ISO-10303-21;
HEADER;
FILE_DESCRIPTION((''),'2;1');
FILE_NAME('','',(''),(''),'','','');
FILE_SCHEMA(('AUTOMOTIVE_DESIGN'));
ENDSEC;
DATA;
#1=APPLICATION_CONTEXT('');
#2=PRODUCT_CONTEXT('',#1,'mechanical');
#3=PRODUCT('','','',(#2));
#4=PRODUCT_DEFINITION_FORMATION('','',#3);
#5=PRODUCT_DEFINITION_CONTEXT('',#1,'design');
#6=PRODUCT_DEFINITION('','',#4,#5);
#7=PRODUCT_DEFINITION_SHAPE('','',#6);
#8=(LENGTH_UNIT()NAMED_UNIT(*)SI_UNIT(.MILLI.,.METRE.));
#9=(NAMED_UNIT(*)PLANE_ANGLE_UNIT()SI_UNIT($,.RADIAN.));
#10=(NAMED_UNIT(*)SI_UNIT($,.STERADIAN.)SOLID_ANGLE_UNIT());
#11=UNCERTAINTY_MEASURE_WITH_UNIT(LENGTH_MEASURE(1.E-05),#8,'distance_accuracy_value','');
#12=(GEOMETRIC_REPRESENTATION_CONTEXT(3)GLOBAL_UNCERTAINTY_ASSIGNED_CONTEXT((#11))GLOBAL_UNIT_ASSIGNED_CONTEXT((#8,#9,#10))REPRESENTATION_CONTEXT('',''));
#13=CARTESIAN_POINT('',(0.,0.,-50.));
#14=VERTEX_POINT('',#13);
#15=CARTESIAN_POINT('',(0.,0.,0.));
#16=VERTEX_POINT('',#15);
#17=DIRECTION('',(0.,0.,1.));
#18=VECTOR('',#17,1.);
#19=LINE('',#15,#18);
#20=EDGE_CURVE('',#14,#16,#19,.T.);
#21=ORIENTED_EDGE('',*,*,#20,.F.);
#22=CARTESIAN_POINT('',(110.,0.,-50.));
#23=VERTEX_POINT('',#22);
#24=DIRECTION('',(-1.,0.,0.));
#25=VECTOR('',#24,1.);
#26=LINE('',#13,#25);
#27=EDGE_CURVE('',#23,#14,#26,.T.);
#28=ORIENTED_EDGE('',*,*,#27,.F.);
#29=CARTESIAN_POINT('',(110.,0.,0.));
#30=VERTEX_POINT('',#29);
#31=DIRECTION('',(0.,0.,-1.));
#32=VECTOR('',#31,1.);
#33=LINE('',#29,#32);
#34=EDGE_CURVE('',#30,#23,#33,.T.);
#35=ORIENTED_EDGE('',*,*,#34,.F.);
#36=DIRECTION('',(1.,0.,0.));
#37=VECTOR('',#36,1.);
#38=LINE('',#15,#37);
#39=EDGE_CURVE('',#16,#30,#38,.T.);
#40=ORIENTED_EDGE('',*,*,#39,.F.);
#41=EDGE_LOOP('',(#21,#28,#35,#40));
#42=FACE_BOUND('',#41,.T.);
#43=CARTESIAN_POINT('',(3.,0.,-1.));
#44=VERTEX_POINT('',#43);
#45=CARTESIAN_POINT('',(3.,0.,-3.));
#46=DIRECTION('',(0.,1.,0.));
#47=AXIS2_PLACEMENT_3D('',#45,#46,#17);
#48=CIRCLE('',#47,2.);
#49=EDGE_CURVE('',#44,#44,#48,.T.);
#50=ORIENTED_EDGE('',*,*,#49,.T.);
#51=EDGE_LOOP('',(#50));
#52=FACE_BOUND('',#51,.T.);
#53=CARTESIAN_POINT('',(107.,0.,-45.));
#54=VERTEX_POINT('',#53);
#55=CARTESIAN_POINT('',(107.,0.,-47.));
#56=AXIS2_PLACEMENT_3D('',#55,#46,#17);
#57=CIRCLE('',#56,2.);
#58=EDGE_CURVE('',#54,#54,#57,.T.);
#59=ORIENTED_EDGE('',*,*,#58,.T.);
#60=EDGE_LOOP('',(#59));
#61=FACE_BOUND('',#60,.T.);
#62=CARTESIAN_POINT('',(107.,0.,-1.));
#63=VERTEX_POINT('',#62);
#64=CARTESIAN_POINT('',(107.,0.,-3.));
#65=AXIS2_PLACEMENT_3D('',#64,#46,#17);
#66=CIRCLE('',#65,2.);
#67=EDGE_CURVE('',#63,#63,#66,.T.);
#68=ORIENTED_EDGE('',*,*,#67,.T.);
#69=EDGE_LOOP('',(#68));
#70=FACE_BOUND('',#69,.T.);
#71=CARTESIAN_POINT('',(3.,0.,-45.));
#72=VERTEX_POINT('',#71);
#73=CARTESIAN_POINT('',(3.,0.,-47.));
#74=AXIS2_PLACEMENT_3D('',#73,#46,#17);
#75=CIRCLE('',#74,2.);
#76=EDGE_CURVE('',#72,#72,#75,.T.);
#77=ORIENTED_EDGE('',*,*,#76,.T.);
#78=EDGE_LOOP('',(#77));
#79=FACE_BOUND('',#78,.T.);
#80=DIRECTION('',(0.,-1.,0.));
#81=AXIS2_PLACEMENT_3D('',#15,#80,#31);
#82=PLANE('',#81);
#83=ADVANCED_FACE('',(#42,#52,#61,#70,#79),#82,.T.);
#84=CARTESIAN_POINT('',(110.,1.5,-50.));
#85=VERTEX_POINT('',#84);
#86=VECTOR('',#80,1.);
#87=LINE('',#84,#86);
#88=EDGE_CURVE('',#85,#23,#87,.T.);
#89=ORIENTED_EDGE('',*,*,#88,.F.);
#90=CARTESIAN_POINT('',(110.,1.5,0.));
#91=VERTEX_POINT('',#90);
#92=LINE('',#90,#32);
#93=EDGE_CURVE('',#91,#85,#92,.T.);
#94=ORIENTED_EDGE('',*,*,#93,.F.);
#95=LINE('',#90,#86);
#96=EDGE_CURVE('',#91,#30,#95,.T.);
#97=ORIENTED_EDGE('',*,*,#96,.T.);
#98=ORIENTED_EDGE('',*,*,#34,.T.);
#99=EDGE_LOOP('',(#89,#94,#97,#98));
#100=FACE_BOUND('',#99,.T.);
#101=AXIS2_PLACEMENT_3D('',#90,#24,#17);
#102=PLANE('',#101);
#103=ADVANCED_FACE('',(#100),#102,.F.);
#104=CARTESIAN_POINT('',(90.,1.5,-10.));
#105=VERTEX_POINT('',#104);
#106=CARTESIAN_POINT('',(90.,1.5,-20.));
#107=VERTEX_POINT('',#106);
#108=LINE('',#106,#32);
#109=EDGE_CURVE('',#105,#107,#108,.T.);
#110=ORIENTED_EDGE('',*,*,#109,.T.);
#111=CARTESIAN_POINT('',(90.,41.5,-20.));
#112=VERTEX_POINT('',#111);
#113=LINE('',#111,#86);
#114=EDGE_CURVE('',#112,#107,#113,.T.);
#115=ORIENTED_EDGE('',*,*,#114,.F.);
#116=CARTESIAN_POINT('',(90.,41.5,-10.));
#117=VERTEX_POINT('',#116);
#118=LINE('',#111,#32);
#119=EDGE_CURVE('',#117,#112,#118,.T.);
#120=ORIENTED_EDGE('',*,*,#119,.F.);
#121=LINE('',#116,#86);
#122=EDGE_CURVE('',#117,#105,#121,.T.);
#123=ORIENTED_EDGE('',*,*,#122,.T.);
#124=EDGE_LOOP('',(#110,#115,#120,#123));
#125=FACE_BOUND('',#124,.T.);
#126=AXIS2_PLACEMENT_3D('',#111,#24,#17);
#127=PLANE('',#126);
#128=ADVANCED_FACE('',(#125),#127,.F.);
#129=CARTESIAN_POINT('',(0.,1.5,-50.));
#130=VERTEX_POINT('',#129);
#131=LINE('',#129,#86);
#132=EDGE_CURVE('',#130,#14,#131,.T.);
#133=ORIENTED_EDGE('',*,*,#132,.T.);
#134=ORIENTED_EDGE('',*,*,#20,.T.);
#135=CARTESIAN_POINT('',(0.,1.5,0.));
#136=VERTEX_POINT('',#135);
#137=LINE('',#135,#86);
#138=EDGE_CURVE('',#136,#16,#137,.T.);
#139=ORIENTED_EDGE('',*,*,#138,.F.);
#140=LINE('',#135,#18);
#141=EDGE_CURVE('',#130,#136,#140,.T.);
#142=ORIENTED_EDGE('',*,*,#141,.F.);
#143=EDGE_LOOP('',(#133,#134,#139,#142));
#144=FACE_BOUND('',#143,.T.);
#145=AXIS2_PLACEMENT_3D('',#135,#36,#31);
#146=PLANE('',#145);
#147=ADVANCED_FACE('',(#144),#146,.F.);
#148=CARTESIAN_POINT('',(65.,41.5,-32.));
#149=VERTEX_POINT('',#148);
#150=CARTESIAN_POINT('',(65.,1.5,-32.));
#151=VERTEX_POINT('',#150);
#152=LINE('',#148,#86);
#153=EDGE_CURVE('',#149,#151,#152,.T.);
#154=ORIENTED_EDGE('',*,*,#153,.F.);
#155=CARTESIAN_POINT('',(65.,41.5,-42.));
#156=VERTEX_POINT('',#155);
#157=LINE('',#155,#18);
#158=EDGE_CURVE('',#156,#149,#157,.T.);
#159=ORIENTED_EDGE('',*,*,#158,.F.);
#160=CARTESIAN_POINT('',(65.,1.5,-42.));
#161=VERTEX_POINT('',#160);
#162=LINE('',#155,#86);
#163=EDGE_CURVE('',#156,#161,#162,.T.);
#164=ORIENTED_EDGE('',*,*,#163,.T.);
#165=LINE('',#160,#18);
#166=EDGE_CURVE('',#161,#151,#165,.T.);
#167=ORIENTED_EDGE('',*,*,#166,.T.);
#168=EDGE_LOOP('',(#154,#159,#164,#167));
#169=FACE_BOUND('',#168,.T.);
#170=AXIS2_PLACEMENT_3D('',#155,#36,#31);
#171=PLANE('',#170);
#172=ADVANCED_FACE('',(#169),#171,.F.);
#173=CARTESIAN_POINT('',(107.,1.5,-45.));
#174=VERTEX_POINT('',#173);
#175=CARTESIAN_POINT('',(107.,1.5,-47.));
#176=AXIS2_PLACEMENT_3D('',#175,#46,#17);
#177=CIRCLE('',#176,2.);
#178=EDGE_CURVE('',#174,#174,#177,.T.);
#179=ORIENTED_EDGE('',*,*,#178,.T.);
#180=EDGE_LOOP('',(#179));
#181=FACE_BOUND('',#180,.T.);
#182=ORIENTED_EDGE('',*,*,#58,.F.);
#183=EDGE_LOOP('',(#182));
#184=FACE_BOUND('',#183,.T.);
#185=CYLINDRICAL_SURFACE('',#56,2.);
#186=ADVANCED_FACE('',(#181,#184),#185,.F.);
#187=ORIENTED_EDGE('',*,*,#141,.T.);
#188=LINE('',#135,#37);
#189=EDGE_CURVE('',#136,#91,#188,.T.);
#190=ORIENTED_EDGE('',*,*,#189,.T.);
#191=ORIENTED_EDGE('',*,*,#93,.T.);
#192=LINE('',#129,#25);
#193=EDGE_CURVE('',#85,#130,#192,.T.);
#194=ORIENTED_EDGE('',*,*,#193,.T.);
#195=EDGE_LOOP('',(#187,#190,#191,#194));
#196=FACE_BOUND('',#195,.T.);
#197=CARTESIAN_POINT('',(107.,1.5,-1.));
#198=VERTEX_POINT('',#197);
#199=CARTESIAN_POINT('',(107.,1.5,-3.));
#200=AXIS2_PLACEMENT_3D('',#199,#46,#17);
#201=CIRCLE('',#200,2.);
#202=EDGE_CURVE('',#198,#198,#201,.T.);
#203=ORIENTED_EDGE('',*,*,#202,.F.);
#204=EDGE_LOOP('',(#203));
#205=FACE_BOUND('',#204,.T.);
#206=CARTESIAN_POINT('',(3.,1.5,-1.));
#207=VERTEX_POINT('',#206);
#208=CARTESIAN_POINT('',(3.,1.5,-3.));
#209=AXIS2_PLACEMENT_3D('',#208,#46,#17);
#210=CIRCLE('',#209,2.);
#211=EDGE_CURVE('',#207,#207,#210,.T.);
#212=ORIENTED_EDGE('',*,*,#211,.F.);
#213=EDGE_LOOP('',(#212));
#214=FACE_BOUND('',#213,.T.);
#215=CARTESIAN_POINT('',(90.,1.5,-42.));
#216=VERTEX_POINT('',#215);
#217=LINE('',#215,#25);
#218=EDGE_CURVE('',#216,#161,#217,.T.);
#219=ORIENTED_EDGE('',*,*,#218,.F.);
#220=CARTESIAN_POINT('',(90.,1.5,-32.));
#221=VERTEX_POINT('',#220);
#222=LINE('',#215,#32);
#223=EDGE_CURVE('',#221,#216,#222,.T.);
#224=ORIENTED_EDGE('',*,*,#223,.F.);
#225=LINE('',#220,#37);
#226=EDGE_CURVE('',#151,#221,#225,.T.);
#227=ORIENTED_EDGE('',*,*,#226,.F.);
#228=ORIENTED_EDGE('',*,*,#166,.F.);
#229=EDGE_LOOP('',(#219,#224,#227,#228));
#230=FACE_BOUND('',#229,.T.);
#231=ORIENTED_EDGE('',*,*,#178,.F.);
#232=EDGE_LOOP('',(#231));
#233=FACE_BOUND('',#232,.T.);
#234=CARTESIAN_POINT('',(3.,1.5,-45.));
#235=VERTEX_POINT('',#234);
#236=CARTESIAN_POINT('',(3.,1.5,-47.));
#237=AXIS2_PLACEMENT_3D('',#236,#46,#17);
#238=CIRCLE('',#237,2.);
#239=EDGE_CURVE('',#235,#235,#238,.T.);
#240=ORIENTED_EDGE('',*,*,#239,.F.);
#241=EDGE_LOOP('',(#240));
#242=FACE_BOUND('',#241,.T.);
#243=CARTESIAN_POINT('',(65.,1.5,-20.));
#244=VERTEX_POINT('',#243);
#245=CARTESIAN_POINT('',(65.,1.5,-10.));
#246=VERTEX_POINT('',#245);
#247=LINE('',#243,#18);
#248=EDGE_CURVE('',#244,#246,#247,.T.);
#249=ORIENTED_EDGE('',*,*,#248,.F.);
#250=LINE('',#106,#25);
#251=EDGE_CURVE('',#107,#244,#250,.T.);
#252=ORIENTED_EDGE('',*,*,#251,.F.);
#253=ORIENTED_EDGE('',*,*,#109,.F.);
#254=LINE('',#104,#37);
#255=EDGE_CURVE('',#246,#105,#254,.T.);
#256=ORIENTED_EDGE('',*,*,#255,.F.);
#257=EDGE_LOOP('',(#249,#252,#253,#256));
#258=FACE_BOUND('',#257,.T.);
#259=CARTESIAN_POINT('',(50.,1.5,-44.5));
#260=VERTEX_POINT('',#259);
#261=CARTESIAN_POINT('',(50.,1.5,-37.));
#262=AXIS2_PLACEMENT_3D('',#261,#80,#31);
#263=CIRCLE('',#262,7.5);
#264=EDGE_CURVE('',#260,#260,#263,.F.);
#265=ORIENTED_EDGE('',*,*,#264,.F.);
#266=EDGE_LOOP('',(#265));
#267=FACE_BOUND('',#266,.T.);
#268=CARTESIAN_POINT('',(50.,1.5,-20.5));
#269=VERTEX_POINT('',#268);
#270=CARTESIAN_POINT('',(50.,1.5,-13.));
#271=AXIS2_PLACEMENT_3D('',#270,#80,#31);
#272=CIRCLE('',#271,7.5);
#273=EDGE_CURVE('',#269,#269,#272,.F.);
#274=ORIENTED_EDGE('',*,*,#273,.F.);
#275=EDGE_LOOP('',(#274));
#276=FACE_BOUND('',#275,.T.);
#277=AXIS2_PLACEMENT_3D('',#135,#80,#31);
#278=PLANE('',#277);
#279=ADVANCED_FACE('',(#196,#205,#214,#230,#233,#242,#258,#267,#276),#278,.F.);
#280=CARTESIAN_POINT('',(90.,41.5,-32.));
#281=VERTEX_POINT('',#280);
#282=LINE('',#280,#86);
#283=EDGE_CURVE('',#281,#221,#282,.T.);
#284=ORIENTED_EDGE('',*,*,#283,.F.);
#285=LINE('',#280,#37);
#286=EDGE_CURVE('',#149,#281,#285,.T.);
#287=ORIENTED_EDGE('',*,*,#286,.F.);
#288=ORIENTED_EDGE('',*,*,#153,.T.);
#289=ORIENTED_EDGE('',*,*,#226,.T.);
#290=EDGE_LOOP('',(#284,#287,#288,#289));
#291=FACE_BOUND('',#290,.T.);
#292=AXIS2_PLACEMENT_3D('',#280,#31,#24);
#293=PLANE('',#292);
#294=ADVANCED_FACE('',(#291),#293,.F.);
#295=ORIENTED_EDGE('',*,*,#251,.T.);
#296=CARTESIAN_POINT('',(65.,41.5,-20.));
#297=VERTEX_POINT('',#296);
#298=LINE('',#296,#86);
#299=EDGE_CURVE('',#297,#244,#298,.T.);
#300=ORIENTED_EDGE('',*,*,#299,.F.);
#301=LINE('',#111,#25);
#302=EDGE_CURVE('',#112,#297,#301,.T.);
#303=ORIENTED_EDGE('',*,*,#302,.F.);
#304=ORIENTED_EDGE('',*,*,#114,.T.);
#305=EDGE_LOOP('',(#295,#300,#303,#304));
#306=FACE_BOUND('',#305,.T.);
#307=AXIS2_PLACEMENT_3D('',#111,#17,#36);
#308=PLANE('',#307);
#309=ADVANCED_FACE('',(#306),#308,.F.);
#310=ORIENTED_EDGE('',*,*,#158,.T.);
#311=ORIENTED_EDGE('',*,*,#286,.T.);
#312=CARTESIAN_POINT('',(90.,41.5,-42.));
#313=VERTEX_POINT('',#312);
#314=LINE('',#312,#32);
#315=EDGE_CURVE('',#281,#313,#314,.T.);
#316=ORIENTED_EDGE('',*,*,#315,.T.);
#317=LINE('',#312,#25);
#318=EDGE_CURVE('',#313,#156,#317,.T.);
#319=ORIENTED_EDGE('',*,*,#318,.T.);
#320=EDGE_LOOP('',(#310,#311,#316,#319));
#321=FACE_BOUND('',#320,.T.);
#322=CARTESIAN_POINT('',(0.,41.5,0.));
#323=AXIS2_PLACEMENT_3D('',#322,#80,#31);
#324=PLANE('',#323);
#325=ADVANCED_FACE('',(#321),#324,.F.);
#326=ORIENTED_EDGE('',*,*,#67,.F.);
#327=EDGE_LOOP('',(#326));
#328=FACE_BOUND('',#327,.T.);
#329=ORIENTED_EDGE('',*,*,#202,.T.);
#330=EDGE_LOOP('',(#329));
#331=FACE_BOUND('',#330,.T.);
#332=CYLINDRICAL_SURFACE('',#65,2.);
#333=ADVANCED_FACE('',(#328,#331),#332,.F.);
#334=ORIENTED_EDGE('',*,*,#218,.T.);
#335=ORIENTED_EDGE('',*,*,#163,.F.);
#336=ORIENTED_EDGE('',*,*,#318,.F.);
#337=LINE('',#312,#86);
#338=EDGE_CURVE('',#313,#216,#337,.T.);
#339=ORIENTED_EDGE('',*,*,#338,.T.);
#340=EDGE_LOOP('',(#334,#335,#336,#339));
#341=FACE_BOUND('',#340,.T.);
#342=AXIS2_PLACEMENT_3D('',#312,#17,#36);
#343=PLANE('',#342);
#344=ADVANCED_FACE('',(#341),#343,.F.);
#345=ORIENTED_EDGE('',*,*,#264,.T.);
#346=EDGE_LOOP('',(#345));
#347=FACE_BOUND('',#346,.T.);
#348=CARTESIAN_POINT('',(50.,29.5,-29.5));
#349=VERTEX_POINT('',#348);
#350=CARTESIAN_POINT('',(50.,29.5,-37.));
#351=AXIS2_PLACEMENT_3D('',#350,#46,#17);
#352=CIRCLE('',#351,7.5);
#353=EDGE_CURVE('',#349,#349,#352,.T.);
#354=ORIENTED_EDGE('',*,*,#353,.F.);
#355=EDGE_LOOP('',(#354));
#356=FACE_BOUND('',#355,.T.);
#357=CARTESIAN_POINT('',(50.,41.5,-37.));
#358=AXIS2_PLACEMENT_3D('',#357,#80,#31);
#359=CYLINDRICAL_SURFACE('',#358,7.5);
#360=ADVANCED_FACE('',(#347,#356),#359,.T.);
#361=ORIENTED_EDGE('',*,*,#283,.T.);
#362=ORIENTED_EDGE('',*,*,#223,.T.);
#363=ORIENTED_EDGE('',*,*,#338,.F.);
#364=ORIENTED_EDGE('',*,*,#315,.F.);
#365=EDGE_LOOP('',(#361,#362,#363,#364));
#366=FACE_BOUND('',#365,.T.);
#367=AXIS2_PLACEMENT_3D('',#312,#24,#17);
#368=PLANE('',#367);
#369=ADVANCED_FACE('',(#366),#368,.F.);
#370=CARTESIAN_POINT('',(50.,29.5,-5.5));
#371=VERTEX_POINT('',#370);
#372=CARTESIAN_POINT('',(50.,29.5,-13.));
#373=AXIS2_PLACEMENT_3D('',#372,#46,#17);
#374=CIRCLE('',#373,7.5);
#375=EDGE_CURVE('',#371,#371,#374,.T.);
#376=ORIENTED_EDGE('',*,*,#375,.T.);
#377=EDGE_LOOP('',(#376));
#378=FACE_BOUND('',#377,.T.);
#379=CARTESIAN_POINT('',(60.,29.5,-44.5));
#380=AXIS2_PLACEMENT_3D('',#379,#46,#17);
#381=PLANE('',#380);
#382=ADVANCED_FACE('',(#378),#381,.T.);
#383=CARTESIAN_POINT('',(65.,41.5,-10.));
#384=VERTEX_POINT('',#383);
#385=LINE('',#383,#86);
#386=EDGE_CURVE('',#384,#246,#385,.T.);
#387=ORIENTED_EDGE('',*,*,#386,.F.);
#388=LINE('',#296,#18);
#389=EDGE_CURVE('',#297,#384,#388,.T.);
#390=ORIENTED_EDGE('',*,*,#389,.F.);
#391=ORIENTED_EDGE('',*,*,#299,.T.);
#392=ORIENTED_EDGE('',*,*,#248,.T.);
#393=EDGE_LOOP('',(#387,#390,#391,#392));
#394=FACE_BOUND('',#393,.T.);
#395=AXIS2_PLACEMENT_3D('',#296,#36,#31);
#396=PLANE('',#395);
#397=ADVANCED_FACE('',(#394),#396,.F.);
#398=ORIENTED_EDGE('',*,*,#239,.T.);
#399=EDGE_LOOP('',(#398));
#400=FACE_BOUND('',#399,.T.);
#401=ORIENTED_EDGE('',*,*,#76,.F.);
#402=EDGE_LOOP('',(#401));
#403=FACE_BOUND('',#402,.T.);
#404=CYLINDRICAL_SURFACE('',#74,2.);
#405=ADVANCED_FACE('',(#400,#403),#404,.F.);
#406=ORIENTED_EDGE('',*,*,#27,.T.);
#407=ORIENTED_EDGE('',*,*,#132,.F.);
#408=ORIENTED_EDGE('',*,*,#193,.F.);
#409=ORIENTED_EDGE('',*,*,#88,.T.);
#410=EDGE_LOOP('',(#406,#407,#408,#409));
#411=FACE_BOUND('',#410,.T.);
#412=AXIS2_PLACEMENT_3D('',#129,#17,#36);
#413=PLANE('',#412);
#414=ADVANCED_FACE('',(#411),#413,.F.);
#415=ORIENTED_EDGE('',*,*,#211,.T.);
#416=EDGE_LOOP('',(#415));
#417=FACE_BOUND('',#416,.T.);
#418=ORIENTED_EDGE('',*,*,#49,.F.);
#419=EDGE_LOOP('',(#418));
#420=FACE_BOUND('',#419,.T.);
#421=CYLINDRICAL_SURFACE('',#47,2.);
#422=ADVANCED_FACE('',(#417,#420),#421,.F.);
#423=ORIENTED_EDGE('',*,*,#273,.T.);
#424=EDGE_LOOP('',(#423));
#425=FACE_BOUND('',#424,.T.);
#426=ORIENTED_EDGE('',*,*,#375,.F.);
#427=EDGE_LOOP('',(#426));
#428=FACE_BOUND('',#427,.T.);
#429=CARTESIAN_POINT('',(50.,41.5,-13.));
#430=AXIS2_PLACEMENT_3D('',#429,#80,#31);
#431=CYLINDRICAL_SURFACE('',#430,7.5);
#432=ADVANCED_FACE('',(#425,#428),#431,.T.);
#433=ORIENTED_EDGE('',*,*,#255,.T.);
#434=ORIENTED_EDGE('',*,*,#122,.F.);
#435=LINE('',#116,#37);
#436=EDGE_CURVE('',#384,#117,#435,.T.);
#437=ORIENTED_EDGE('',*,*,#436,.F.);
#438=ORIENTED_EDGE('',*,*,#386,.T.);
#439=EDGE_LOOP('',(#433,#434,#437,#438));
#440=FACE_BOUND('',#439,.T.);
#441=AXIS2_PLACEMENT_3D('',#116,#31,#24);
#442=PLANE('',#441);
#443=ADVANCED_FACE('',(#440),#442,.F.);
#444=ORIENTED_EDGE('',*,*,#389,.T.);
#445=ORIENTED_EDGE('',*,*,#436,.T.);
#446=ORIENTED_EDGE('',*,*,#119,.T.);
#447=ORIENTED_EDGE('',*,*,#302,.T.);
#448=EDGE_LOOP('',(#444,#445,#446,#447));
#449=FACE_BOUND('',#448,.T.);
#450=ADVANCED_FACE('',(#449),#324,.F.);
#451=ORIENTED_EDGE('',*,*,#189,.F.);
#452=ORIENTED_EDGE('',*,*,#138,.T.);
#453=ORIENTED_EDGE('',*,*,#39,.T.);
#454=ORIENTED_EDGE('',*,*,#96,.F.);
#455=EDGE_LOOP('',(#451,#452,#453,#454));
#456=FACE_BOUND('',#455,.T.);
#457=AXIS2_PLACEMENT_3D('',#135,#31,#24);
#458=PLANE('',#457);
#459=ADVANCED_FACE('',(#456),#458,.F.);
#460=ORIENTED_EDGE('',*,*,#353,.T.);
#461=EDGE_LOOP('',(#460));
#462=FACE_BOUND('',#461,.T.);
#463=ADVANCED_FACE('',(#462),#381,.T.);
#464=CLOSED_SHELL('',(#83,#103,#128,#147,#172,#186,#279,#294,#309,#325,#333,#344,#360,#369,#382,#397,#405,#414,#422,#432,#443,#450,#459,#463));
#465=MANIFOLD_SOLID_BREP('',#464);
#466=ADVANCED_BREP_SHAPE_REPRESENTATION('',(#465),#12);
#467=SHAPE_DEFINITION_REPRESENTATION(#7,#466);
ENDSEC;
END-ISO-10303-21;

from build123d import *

# Parameters (mm, degrees)
ESBO_O1_W                = 110
ESBO_O1_H                = 50
RESSALTO_EXTRUS_O1_DEPTH = 1.5
ESBO_O2_R                = 2
CORTE_EXTRUS_O1_DEPTH    = 1.5
ESBO_O4_R                = 7.5
ESBO_O4_W                = 25
ESBO_O4_H                = 10
RESSALTO_EXTRUS_O3_DEPTH = 40
ESBO_O5_W                = 39
ESBO_O5_H                = 12
CORTE_EXTRUS_O2_DEPTH    = 60


with BuildPart() as part:
    # Esboço1 → Ressalto-extrusão1 (new body)
    with BuildSketch(Plane(origin=(0, 0, 0), x_dir=(1, 0, 0), z_dir=(0, 1, 0))):
        with Locations((55, 25)):
            Rectangle(ESBO_O1_W, ESBO_O1_H)
    extrude(amount=RESSALTO_EXTRUS_O1_DEPTH)

    # Esboço2 → Corte-extrusão1 (cut)
    with BuildSketch(Plane(origin=(0, 1.5, 0), x_dir=(1, 0, 0), z_dir=(0, 1, 0))):
        with Locations((107, 3)):
            Circle(ESBO_O2_R)
        with Locations((107, 47)):
            Circle(ESBO_O2_R)
        with Locations((3, 3)):
            Circle(ESBO_O2_R)
        with Locations((3, 47)):
            Circle(ESBO_O2_R)
    extrude(amount=-CORTE_EXTRUS_O1_DEPTH, mode=Mode.SUBTRACT)

    # Esboço4 → Ressalto-extrusão3 (add)
    with BuildSketch(Plane(origin=(0, 1.5, 0), x_dir=(1, 0, 0), z_dir=(0, 1, 0))):
        with Locations((50, 37)):
            Circle(ESBO_O4_R)
        with Locations((50, 13)):
            Circle(ESBO_O4_R)
        with Locations((77.5, 37)):
            Rectangle(ESBO_O4_W, ESBO_O4_H)
        with Locations((77.5, 15)):
            Rectangle(ESBO_O4_W, ESBO_O4_H)
    extrude(amount=RESSALTO_EXTRUS_O3_DEPTH)

    # Esboço5 → Corte-extrusão2 (cut)
    with BuildSketch(Plane(origin=(0, 0, 0), x_dir=(0, 0, -1), z_dir=(1, 0, 0))):
        with Locations((25, 35.5)):
            Rectangle(ESBO_O5_W, ESBO_O5_H)
    extrude(amount=CORTE_EXTRUS_O2_DEPTH, mode=Mode.SUBTRACT)


solid = part.part
